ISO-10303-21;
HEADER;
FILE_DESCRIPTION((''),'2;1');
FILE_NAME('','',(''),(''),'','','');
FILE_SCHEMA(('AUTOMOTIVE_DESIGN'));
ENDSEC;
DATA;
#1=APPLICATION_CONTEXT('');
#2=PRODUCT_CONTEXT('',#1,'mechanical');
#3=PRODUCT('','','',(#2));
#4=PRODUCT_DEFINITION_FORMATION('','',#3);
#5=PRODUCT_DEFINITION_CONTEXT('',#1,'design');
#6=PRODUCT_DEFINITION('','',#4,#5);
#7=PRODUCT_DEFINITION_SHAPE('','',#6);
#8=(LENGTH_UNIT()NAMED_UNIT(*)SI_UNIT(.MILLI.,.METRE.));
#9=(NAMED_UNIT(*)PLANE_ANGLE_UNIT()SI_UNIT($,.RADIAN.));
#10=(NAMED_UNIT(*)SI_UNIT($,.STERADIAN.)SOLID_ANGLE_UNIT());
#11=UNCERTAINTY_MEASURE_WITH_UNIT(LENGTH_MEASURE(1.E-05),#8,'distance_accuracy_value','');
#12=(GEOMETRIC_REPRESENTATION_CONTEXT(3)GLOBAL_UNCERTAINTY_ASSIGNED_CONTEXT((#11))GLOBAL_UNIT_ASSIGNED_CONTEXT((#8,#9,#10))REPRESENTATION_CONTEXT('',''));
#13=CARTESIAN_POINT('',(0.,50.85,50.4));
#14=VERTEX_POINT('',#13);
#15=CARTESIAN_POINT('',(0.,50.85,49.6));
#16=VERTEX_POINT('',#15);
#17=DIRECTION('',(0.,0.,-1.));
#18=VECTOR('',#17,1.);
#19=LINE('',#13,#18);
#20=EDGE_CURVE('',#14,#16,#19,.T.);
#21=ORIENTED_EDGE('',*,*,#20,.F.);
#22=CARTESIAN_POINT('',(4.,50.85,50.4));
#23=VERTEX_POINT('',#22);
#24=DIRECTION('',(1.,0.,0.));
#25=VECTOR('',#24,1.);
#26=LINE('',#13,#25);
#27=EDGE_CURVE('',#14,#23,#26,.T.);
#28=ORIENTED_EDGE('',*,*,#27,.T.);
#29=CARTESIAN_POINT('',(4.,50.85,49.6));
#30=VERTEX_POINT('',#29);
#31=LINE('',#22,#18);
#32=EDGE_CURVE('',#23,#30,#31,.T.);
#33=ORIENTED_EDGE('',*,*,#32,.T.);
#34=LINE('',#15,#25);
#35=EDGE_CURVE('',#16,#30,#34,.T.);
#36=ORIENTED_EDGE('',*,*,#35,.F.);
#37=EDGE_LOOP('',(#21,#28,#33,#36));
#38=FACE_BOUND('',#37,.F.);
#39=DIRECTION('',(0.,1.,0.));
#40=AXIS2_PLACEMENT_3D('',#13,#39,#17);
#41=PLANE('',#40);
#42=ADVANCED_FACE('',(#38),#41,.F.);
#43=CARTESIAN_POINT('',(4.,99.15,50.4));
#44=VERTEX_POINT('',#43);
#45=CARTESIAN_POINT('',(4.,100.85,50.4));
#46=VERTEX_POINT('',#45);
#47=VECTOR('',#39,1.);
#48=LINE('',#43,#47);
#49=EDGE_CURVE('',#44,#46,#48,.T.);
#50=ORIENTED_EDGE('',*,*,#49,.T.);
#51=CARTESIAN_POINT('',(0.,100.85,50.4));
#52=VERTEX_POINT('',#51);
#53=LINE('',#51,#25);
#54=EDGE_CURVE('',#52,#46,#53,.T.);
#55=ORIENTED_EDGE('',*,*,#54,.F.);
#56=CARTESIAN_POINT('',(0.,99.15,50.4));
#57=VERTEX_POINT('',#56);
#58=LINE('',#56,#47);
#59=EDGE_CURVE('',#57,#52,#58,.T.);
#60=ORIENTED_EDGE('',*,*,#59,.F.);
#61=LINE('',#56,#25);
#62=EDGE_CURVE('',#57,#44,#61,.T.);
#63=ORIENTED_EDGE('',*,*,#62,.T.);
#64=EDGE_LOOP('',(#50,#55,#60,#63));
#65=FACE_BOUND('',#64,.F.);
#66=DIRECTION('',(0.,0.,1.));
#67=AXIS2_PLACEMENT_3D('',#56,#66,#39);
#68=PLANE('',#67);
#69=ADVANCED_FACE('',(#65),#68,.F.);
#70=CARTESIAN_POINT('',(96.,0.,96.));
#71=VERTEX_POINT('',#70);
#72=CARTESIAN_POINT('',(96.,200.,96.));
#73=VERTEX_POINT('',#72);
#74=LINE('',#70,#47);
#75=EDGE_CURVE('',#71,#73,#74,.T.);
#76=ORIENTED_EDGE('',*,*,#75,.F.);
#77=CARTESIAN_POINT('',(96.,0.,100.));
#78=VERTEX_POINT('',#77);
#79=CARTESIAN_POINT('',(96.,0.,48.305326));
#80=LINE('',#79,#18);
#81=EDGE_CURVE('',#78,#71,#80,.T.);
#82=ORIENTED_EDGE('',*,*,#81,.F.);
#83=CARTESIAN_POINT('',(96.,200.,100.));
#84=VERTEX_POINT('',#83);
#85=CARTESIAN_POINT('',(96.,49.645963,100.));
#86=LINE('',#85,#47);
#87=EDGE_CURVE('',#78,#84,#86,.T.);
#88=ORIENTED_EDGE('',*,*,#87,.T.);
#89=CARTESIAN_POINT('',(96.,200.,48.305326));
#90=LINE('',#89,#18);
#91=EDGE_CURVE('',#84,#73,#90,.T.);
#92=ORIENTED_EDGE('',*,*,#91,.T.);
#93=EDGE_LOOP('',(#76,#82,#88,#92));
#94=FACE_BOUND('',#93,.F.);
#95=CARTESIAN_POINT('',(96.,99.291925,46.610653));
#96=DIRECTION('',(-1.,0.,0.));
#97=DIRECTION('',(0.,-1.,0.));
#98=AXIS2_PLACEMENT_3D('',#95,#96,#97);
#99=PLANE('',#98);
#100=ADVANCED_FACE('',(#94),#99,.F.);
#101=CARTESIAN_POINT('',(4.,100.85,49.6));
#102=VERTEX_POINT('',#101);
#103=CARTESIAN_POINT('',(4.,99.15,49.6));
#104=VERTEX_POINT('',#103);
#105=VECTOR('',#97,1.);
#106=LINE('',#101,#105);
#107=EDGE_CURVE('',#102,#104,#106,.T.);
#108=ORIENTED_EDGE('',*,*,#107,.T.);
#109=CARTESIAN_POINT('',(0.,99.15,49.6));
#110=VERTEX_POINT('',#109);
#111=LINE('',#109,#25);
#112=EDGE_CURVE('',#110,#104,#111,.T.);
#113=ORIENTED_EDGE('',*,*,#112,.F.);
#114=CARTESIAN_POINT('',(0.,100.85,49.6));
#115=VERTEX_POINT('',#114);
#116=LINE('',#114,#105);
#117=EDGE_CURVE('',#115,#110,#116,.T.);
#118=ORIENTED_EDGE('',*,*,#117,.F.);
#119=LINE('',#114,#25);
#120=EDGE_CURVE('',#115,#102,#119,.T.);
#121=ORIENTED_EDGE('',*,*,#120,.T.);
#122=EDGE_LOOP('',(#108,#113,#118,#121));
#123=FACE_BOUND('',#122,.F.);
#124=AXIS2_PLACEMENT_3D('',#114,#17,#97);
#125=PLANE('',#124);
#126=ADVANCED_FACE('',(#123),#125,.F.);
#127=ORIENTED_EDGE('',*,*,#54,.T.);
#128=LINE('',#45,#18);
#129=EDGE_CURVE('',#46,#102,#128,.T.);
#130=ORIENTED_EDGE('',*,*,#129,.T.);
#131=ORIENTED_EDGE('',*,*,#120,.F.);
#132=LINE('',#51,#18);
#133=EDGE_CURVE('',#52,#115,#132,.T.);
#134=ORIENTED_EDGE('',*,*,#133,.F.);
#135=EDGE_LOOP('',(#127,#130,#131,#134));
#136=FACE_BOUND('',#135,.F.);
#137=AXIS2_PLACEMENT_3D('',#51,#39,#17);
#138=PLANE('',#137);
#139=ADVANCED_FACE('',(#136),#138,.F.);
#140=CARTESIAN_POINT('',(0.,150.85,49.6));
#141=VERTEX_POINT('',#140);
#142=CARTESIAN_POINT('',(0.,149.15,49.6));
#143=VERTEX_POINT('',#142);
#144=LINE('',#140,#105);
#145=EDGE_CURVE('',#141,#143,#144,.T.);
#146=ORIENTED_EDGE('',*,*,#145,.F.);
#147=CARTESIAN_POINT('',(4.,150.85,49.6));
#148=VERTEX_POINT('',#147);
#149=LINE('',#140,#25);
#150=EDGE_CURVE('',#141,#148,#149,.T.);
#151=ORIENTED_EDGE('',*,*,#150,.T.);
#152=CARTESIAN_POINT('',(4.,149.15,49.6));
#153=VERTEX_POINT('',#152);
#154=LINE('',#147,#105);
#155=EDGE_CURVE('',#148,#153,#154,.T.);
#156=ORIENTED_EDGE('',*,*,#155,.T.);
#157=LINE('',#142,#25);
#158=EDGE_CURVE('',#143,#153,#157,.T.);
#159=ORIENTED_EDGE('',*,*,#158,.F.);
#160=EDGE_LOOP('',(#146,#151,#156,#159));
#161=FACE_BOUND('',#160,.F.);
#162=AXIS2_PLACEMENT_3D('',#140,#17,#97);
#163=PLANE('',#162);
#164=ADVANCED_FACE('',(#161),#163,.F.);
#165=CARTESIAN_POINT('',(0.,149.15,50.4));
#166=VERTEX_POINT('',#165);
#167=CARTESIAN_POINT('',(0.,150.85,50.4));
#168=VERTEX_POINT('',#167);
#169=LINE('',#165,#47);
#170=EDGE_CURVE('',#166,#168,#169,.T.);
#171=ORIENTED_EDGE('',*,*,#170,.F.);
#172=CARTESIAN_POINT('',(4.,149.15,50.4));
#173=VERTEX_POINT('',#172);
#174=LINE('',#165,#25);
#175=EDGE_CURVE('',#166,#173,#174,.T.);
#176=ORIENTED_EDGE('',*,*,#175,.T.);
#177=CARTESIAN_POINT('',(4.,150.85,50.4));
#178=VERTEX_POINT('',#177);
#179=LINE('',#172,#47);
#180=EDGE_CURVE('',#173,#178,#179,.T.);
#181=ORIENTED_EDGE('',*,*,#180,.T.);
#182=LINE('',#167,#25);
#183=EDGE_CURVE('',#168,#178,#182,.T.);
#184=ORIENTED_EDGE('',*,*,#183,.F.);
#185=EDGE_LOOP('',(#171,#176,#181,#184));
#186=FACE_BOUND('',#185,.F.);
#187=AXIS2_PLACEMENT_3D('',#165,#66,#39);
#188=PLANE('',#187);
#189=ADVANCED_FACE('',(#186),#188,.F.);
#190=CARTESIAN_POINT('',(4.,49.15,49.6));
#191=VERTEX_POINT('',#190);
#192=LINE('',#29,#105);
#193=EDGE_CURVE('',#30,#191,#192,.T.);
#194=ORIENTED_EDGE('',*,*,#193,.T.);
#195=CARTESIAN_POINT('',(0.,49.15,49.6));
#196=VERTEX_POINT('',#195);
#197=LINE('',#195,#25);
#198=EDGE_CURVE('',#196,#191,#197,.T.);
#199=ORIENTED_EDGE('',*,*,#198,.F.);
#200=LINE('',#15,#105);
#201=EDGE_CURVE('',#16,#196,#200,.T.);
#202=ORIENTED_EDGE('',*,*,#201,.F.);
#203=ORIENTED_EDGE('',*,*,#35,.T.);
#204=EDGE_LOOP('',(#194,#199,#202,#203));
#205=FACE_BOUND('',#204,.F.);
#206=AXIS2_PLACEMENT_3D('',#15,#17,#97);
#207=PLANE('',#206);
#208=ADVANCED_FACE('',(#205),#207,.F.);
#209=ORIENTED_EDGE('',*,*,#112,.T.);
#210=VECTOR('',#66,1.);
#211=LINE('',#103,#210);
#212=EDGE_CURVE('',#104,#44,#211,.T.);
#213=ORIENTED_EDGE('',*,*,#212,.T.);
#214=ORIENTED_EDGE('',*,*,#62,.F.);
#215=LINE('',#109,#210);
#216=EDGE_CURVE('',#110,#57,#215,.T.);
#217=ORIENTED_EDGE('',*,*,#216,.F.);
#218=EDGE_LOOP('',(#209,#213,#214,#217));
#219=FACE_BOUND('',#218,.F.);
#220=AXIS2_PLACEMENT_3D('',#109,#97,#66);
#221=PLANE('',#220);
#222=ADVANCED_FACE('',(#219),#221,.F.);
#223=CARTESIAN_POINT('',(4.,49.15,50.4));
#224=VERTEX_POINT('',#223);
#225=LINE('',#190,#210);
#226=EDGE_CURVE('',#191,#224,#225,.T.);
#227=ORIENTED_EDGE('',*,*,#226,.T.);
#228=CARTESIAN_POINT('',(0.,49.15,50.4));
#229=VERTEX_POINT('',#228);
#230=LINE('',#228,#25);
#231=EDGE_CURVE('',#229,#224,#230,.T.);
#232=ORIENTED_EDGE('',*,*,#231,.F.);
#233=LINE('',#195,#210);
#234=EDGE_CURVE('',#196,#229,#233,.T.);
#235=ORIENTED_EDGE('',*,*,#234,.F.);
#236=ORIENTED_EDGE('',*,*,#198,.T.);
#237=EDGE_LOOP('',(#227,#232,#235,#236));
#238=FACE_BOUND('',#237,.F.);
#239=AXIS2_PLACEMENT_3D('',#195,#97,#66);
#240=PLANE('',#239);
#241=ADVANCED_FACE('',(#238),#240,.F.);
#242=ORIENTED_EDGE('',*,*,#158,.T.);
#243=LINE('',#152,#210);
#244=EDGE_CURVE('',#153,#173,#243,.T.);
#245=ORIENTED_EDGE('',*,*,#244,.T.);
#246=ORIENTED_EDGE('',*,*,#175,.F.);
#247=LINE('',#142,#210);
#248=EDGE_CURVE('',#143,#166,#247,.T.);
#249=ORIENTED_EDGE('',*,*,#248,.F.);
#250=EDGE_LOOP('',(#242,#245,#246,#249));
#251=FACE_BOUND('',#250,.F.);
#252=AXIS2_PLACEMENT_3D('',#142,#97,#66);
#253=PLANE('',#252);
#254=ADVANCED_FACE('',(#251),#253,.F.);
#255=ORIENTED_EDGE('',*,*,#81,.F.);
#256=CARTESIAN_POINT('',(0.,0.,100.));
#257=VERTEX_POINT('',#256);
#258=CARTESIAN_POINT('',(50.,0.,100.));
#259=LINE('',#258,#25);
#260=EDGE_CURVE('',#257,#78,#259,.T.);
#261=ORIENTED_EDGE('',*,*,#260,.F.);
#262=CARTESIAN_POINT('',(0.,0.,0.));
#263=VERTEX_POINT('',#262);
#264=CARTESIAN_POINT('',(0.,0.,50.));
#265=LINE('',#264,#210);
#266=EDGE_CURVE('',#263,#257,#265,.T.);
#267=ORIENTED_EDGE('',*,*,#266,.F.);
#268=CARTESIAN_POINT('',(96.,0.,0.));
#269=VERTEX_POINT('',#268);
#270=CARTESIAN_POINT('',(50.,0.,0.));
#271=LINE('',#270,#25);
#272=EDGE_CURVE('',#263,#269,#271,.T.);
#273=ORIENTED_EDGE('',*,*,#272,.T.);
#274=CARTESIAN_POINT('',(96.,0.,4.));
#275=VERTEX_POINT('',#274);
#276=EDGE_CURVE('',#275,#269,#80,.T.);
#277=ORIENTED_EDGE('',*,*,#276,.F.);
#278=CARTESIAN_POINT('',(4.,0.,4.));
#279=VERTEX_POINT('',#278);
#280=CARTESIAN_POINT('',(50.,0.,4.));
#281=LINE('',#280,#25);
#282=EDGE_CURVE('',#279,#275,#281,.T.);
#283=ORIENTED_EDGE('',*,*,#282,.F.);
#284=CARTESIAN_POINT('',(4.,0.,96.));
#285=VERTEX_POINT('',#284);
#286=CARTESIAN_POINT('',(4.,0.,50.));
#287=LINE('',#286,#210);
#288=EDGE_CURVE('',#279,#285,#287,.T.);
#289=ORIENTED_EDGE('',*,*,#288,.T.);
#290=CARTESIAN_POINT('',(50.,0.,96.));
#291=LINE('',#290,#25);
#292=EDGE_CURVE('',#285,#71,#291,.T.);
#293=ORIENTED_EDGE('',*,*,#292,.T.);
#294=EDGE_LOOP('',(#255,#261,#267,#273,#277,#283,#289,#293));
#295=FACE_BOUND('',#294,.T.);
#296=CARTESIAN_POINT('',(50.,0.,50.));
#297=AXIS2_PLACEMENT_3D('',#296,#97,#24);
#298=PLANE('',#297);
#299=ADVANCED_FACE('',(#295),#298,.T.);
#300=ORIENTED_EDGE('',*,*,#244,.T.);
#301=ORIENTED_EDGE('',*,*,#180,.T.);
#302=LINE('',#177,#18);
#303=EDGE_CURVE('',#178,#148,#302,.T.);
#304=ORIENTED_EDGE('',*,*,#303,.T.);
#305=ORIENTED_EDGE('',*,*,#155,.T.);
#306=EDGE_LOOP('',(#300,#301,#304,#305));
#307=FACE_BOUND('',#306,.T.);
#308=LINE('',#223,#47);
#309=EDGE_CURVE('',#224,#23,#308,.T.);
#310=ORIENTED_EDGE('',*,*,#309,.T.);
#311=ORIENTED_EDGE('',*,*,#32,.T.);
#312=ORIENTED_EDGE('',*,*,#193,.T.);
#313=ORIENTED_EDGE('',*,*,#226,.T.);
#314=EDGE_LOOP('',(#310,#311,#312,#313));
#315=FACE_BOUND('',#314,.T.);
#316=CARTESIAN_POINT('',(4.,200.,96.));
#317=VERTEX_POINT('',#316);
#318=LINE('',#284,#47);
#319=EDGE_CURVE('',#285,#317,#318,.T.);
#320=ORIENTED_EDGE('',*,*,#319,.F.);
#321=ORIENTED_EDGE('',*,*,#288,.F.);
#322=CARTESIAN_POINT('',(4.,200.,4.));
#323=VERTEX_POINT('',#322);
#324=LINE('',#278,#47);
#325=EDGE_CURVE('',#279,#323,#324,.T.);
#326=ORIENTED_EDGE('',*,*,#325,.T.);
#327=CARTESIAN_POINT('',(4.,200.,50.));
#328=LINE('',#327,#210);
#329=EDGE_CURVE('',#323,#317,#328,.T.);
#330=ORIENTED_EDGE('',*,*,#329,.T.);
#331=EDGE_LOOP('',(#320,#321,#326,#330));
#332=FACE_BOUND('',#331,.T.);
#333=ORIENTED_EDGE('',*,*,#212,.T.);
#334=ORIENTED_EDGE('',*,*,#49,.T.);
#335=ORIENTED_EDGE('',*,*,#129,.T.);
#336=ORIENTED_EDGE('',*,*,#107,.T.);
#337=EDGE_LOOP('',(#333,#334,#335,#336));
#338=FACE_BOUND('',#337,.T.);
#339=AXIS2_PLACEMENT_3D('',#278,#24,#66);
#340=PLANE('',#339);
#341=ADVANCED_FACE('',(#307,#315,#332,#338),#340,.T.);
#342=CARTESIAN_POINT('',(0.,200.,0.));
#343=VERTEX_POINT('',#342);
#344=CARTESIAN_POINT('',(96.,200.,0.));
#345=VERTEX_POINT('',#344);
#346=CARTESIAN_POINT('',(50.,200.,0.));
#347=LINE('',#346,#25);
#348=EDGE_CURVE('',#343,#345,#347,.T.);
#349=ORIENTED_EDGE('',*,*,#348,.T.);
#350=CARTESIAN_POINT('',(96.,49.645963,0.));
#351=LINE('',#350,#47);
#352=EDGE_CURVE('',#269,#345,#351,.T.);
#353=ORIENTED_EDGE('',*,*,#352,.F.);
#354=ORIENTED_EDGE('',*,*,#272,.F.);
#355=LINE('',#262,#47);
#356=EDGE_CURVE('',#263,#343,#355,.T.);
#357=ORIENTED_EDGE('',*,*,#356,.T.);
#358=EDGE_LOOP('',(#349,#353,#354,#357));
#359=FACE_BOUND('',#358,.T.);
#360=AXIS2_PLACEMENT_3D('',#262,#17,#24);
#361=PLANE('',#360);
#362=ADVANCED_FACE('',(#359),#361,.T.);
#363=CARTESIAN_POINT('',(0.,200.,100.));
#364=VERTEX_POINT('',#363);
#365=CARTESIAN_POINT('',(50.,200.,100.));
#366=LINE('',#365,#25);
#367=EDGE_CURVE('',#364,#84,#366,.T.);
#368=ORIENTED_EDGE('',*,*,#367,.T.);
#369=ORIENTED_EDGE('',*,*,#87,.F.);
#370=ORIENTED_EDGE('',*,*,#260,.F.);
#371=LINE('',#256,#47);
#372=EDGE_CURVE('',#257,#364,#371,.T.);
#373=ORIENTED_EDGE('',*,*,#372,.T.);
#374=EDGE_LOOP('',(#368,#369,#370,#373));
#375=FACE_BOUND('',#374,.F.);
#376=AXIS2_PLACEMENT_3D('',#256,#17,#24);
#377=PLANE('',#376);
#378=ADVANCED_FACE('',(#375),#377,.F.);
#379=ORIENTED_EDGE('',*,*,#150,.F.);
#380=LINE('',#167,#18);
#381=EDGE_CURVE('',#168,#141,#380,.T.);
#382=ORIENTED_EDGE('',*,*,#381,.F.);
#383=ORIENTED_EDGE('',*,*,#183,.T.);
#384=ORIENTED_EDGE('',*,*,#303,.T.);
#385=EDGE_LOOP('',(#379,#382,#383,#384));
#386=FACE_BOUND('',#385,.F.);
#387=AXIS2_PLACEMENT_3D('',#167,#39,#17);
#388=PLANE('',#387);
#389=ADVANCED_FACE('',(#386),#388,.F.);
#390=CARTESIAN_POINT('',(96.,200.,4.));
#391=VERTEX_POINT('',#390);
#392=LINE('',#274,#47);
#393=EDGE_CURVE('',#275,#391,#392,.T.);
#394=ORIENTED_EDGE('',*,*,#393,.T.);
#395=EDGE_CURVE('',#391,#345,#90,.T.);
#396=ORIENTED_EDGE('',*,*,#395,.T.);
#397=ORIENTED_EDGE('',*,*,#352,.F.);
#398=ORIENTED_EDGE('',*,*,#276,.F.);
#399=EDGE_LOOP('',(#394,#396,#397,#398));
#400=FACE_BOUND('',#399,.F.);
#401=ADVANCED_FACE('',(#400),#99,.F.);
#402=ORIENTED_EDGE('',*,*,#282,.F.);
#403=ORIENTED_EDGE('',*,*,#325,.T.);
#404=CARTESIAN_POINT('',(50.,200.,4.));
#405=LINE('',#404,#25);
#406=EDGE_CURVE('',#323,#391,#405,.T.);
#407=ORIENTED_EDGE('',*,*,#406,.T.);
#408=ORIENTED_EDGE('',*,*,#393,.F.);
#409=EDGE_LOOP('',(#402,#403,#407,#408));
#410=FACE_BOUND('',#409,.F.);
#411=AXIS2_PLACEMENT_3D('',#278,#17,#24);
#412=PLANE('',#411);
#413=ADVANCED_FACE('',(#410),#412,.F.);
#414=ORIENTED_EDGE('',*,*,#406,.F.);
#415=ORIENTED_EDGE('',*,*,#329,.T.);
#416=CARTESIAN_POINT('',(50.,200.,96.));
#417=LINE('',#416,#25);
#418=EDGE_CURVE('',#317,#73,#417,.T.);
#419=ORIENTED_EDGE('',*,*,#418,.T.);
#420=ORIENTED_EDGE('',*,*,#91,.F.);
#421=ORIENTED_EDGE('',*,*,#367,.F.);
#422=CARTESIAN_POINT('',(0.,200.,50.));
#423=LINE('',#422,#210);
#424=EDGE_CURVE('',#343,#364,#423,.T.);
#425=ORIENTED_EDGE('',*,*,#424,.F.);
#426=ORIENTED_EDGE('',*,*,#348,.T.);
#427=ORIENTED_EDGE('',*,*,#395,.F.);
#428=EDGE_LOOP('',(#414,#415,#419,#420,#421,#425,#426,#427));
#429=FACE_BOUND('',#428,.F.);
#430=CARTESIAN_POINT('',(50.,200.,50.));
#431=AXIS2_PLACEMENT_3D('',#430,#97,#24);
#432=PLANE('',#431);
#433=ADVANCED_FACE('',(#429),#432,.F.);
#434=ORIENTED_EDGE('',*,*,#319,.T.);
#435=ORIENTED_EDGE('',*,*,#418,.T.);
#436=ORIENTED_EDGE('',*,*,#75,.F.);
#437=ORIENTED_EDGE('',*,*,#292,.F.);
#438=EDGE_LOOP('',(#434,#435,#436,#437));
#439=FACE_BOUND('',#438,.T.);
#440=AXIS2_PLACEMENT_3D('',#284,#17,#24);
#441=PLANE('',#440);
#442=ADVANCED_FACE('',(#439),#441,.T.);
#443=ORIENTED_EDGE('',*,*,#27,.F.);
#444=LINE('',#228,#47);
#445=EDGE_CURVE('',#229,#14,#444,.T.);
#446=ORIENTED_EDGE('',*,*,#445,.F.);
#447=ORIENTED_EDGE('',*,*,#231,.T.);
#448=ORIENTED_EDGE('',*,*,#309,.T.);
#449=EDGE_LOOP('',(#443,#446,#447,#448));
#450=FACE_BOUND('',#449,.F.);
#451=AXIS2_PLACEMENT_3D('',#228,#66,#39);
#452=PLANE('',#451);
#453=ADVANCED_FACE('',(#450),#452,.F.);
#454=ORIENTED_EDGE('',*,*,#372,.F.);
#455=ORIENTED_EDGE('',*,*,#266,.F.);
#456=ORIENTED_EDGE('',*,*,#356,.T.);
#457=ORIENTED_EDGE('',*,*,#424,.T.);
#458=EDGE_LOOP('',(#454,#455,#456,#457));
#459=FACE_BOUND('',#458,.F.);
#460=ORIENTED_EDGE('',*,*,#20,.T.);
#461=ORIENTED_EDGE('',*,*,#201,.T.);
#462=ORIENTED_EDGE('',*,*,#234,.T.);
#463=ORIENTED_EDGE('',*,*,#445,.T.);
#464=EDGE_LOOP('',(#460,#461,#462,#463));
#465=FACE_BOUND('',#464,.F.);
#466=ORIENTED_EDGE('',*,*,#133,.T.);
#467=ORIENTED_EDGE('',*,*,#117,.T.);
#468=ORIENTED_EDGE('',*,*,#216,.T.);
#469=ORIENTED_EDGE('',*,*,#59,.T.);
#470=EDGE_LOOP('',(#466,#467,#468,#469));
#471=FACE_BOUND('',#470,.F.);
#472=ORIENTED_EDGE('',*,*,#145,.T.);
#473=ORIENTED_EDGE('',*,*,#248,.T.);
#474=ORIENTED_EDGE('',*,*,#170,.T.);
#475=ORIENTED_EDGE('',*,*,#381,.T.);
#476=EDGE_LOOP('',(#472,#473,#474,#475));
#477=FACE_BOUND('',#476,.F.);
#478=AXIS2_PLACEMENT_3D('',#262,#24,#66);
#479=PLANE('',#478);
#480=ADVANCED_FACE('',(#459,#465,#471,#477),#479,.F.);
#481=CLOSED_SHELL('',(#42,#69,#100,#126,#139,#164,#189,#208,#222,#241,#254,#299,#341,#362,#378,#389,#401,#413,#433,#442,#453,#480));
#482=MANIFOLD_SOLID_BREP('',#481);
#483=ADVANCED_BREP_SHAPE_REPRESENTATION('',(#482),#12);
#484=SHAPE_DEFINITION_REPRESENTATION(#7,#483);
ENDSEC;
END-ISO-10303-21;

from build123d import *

# Parameters (mm, degrees)
F0_W      = 100
F0_H      = 100
F1_DEPTH  = 200
F2_W      = 92
F2_H      = 92
F3_DEPTH  = 200
F4_R      = 5
F5_DEPTH  = 4
F7_DEPTH  = 4
F4_R_2    = 7
F8_DEPTH  = 20
F11_DEPTH = 1
F12_DEPTH = 20
F13_W     = 216.226272
F13_H     = 124.404148
F14_DEPTH = 304.8


with BuildPart() as f1:
    # F0 (on Front) → F1 (new body)
    with BuildSketch(Plane.XZ):
        with Locations((50, 50)):
            Rectangle(F0_W, F0_H)
    extrude(amount=-F1_DEPTH)

    # F2 (on face) → F3 (cut)
    with BuildSketch(Plane.XZ):
        with Locations((50, 50)):
            Rectangle(F2_W, F2_H)
    extrude(amount=-F3_DEPTH, mode=Mode.SUBTRACT)

    # F4 (on face) → F5 (cut)
    with BuildSketch(Plane.YZ.offset(100)):
        with Locations((50, 50)):
            Circle(F4_R)
        with Locations((100, 50)):
            Circle(F4_R)
        with Locations((150, 50)):
            Circle(F4_R)
    extrude(amount=-F5_DEPTH, mode=Mode.SUBTRACT)

    # F6 (on face) → F7 (cut)
    with BuildSketch(Plane(origin=(0, 0, 0), x_dir=(0, -1, 0), z_dir=(-1, 0, 0))):
        Polygon((-50, 50.4), (-50.85, 50.4), (-50.85, 49.6), (-49.15, 49.6), (-49.15, 50.4), align=None)
        Polygon((-100, 50.4), (-100.85, 50.4), (-100.85, 49.6), (-99.15, 49.6), (-99.15, 50.4), align=None)
        Polygon((-150, 50), (-150, 49.6), (-149.15, 49.6), (-149.15, 50.4), (-150, 50.4), align=None)
        Polygon((-150.85, 49.6), (-150, 49.6), (-150, 50), (-150, 50.4), (-150.85, 50.4), align=None)
    extrude(amount=-F7_DEPTH, mode=Mode.SUBTRACT)

    # F4 (on face) → F8 (join)
    with BuildSketch(Plane.YZ.offset(100)):
        with Locations((50, 50)):
            Circle(F4_R_2)
        with Locations((50, 50)):
            Circle(F4_R, mode=Mode.SUBTRACT)
        with Locations((100, 50)):
            Circle(F4_R_2)
        with Locations((100, 50)):
            Circle(F4_R, mode=Mode.SUBTRACT)
        with Locations((150, 50)):
            Circle(F4_R_2)
        with Locations((150, 50)):
            Circle(F4_R, mode=Mode.SUBTRACT)
    extrude(amount=F8_DEPTH)

    # F10 (on face) → F11 (join)
    with BuildSketch(Plane(origin=(96, 0, 0), x_dir=(0, -1, 0), z_dir=(-1, 0, 0))):
        with BuildLine():
            Line((-45.069934, 49.166667), (-49.99933, 49.166667))
            Line((-49.99933, 49.166667), (-54.930066, 49.166667))
            ThreePointArc((-54.930066, 49.166667), (-50, 45), (-45.069934, 49.166667))
        make_face()
        with BuildLine():
            Line((-95.069934, 49.166667), (-99.99933, 49.166667))
            Line((-99.99933, 49.166667), (-104.930066, 49.166667))
            ThreePointArc((-104.930066, 49.166667), (-100, 45), (-95.069934, 49.166667))
        make_face()
        with BuildLine():
            Line((-145.069934, 49.166667), (-149.99933, 49.166667))
            Line((-149.99933, 49.166667), (-154.930066, 49.166667))
            ThreePointArc((-154.930066, 49.166667), (-150, 45), (-145.069934, 49.166667))
        make_face()
    extrude(amount=-F11_DEPTH)

    # F9 (on face) → F12 (join)
    with BuildSketch(Plane.YZ.offset(120)):
        with BuildLine():
            Line((47.001097, 54.000823), (47.001097, 56.325076))
            ThreePointArc((47.001097, 56.325076), (46.257829, 44.084245), (57, 50))
            ThreePointArc((57, 50), (55.91608, 53.741657), (53, 56.324555))
            Line((53, 56.324555), (53, 54))
            ThreePointArc((53, 54), (54.472136, 52.236068), (55, 50))
            ThreePointArc((55, 50), (47.763319, 45.528171), (47.001097, 54.000823))
        make_face()
        with BuildLine():
            Line((103, 56.324555), (103, 54))
            ThreePointArc((103, 54), (99.999314, 45), (97.001097, 54.000823))
            Line((97.001097, 54.000823), (97.001097, 56.325076))
            ThreePointArc((97.001097, 56.325076), (99.999393, 43), (103, 56.324555))
        make_face()
        with BuildLine():
            Line((153, 56.324555), (153, 54))
            ThreePointArc((153, 54), (149.999314, 45), (147.001097, 54.000823))
            Line((147.001097, 54.000823), (147.001097, 56.325076))
            ThreePointArc((147.001097, 56.325076), (149.999393, 43), (153, 56.324555))
        make_face()
    extrude(amount=F12_DEPTH)

    # F13 (on face) → F14 (cut)
    with BuildSketch(Plane(origin=(96, 0, 0), x_dir=(0, -1, 0), z_dir=(-1, 0, 0))):
        with Locations((-99.291925, 46.610653)):
            Rectangle(F13_W, F13_H)
    extrude(amount=-F14_DEPTH, mode=Mode.SUBTRACT)


solid = f1.part
